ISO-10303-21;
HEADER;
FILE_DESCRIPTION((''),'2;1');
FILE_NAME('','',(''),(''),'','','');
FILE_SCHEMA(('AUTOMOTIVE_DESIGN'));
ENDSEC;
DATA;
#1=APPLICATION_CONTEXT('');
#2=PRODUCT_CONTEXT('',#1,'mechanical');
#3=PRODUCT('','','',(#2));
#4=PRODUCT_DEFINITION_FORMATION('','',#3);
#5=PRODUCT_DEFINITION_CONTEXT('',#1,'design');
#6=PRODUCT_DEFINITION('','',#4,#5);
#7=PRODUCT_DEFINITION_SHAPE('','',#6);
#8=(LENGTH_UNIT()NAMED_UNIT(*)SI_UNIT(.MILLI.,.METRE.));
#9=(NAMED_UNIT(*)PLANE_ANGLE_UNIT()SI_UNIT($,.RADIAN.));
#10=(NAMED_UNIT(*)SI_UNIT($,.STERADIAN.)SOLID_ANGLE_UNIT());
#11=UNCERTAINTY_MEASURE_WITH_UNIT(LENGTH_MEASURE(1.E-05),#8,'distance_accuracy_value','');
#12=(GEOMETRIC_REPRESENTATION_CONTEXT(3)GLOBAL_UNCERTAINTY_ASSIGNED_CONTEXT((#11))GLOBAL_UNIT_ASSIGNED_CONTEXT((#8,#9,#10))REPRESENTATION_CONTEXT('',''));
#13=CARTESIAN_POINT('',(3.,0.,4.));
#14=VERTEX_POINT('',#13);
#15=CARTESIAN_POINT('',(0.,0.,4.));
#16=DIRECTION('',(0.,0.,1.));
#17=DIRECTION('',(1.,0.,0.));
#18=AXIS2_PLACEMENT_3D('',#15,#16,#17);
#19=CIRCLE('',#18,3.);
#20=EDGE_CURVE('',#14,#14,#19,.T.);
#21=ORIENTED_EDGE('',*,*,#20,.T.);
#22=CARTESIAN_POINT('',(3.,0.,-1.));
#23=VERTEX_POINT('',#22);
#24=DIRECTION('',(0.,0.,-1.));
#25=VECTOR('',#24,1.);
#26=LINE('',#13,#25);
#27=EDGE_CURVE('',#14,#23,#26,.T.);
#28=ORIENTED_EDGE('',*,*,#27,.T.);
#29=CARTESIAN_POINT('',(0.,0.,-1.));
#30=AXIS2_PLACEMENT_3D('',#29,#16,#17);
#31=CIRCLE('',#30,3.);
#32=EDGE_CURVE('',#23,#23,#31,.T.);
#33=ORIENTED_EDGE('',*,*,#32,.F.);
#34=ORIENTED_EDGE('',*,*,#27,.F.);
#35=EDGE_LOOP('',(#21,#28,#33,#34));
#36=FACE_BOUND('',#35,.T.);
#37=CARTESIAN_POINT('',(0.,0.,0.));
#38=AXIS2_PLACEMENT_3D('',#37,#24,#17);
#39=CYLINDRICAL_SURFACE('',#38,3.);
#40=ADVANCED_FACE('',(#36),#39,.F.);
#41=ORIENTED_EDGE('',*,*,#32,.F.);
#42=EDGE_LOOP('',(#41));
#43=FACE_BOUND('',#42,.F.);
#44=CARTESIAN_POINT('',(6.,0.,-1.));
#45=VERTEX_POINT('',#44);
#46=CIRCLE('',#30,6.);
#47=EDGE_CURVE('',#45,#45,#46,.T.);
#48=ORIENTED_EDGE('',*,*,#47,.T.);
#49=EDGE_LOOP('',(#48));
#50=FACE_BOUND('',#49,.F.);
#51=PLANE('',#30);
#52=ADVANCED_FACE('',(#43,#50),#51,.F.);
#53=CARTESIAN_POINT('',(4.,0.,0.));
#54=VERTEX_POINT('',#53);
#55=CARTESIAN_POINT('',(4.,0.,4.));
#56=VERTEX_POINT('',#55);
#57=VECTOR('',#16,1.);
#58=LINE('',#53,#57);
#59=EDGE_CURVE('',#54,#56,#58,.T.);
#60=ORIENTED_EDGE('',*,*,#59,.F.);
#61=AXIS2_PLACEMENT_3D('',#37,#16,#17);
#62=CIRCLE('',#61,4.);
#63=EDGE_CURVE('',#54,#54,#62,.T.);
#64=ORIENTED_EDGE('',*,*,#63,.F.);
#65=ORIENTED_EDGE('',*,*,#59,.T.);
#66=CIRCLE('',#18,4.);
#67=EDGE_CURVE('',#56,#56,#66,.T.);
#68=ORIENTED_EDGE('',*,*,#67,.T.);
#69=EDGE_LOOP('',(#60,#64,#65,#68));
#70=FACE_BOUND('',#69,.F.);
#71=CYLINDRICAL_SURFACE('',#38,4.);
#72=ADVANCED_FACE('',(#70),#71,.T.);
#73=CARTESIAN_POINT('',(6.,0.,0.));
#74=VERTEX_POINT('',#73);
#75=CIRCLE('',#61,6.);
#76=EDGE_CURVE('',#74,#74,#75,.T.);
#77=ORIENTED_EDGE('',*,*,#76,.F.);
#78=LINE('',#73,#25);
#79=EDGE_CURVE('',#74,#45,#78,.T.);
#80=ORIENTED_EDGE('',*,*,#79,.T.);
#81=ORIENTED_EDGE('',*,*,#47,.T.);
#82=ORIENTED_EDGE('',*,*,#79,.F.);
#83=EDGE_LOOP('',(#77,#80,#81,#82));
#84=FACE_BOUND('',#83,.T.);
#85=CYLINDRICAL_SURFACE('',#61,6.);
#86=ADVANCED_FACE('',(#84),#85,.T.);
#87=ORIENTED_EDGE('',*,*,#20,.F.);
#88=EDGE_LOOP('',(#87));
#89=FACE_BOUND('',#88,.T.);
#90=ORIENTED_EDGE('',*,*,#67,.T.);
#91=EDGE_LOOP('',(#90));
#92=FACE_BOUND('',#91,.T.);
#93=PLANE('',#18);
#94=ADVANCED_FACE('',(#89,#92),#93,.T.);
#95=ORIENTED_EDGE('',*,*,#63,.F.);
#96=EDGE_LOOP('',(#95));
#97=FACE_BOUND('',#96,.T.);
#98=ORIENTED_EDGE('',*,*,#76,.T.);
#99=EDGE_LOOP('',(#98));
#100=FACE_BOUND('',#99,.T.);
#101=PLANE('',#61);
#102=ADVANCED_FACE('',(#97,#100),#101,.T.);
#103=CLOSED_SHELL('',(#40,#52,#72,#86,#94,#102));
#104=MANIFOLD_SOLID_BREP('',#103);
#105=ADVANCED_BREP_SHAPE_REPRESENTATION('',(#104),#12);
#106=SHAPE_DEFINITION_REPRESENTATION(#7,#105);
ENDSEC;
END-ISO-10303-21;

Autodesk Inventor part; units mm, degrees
ref_plane "YZ Plane" through (0, 0, 0) normal (1, 0, 0) x (0, 1, 0)
ref_plane "XZ Plane" through (0, 0, 0) normal (0, 1, 0) x (-1, 0, 0)
ref_plane "XY Plane" through (0, 0, 0) normal (0, 0, 1) x (1, 0, 0)
sketch "スケッチ1" plane through (0, 0, 0) normal (0, 0, 1) x (1, 0, 0)
  circle A0 centre (0, 0) radius 3
  circle A1 centre (0, 0) radius 4
  circle A2 centre (0, 0) radius 6
  dimension "d0" = 6
  dimension "d1" = 8
  dimension "d2" = 12
extrude "押し出し1" add sketch "スケッチ1" along normal blind 4 contours A1
extrude "押し出し2" add sketch "スケッチ1" against normal blind 1 contours A1 | A2
properties part number "オイレス　6-8-12　フランジ付き　（L=4）" material "アセタール樹脂、黒"
